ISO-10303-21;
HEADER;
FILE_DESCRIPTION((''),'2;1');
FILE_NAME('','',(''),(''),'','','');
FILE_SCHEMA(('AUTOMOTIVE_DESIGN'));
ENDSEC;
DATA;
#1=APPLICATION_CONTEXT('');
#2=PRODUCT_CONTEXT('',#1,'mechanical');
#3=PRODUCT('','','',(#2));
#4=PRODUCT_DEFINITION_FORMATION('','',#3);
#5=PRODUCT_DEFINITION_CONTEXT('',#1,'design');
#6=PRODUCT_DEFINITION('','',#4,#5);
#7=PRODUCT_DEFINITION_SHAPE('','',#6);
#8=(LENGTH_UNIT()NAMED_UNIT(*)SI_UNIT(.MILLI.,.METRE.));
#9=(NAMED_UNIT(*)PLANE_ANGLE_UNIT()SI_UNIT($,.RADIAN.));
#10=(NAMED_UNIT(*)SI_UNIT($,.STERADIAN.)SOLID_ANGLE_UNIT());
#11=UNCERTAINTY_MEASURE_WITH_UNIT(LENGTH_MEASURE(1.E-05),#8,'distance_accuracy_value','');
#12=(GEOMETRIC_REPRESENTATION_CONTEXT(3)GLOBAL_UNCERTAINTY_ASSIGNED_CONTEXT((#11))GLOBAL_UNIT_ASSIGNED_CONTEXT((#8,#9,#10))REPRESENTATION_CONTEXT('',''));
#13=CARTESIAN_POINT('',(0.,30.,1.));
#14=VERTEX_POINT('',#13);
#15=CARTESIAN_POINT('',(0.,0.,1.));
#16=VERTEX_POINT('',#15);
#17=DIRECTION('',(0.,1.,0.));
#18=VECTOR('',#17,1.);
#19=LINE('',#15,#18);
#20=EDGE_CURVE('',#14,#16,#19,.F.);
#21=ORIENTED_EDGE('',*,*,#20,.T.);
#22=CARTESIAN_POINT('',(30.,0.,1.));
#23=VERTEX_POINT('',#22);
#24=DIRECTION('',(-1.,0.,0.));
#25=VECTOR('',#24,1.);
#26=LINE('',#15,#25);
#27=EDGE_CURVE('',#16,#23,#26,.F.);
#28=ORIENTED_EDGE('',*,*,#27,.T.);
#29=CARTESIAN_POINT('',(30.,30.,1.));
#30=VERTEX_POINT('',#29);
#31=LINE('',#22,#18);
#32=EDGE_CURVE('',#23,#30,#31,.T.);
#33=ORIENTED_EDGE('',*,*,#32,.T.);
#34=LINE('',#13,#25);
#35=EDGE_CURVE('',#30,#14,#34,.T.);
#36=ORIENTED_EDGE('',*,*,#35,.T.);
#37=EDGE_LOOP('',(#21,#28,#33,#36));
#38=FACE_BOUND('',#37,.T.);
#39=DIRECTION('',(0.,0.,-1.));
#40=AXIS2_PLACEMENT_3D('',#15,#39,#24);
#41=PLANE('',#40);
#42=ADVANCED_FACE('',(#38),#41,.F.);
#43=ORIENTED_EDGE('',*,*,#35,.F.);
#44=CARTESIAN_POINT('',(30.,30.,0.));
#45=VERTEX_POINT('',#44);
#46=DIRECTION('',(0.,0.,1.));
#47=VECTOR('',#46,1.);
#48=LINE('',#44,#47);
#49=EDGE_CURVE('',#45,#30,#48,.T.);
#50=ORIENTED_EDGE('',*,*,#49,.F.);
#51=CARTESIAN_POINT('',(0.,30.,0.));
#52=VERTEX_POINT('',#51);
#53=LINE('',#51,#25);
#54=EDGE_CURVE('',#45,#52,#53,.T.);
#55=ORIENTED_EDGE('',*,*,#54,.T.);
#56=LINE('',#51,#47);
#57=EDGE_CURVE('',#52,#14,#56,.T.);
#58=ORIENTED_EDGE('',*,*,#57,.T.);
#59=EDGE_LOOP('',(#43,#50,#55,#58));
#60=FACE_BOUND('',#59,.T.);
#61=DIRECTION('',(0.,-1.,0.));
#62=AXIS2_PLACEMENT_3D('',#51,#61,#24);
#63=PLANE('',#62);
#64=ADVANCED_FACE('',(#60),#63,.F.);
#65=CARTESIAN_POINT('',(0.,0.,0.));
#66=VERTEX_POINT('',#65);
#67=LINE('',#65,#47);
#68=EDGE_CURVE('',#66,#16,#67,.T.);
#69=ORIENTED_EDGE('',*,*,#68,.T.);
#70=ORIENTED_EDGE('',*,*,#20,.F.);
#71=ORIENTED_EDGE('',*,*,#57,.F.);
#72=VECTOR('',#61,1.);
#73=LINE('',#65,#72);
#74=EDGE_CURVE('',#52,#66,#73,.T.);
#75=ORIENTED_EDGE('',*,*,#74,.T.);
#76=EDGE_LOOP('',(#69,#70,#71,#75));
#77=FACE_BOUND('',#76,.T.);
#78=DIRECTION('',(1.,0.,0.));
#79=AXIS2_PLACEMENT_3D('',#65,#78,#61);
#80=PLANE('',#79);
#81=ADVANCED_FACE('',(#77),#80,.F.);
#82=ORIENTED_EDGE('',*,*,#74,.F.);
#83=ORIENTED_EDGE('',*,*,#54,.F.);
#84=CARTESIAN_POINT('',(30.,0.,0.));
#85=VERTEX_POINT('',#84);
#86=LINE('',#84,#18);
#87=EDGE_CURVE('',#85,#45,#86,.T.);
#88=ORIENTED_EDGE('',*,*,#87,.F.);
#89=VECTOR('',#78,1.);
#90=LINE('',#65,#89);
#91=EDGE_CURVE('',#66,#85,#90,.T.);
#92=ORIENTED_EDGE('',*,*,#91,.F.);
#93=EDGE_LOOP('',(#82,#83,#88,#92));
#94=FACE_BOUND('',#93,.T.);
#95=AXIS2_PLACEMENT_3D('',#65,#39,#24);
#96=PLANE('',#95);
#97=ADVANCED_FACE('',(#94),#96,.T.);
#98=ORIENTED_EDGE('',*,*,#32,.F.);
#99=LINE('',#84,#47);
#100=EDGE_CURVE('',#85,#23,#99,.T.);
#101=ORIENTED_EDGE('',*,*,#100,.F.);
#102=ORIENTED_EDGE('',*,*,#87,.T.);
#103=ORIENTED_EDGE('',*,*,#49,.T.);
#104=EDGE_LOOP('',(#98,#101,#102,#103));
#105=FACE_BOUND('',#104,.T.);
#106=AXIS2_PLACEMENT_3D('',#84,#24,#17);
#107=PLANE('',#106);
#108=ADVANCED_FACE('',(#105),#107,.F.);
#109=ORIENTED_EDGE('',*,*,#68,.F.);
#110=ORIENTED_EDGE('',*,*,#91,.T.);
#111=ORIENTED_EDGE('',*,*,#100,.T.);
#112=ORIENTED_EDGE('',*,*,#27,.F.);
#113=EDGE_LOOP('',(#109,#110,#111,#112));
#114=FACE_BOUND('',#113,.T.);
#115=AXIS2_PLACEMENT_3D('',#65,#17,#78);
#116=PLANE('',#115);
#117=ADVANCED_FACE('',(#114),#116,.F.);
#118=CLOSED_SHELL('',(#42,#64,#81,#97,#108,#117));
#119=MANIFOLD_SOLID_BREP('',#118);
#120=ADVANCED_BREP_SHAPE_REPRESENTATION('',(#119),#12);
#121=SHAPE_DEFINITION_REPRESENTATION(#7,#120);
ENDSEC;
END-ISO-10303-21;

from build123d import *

# Parameters (mm, degrees)
SKETCH1_W   = 30
SKETCH1_H   = 30
THICKEN1_T1 = 1


with BuildPart() as body_1:
    # Sketch1 → Surface-Plane1: a flat surface bounded by the sketch
    with BuildSketch(Plane.XY, mode=Mode.PRIVATE) as surface_plane1_1_region:
        with Locations((15, 15)):
            Rectangle(SKETCH1_W, SKETCH1_H)
    surface_plane1_1 = surface_plane1_1_region.sketch.faces()[0]
    add(Solid.thicken(surface_plane1_1, THICKEN1_T1))


solid = body_1.part
